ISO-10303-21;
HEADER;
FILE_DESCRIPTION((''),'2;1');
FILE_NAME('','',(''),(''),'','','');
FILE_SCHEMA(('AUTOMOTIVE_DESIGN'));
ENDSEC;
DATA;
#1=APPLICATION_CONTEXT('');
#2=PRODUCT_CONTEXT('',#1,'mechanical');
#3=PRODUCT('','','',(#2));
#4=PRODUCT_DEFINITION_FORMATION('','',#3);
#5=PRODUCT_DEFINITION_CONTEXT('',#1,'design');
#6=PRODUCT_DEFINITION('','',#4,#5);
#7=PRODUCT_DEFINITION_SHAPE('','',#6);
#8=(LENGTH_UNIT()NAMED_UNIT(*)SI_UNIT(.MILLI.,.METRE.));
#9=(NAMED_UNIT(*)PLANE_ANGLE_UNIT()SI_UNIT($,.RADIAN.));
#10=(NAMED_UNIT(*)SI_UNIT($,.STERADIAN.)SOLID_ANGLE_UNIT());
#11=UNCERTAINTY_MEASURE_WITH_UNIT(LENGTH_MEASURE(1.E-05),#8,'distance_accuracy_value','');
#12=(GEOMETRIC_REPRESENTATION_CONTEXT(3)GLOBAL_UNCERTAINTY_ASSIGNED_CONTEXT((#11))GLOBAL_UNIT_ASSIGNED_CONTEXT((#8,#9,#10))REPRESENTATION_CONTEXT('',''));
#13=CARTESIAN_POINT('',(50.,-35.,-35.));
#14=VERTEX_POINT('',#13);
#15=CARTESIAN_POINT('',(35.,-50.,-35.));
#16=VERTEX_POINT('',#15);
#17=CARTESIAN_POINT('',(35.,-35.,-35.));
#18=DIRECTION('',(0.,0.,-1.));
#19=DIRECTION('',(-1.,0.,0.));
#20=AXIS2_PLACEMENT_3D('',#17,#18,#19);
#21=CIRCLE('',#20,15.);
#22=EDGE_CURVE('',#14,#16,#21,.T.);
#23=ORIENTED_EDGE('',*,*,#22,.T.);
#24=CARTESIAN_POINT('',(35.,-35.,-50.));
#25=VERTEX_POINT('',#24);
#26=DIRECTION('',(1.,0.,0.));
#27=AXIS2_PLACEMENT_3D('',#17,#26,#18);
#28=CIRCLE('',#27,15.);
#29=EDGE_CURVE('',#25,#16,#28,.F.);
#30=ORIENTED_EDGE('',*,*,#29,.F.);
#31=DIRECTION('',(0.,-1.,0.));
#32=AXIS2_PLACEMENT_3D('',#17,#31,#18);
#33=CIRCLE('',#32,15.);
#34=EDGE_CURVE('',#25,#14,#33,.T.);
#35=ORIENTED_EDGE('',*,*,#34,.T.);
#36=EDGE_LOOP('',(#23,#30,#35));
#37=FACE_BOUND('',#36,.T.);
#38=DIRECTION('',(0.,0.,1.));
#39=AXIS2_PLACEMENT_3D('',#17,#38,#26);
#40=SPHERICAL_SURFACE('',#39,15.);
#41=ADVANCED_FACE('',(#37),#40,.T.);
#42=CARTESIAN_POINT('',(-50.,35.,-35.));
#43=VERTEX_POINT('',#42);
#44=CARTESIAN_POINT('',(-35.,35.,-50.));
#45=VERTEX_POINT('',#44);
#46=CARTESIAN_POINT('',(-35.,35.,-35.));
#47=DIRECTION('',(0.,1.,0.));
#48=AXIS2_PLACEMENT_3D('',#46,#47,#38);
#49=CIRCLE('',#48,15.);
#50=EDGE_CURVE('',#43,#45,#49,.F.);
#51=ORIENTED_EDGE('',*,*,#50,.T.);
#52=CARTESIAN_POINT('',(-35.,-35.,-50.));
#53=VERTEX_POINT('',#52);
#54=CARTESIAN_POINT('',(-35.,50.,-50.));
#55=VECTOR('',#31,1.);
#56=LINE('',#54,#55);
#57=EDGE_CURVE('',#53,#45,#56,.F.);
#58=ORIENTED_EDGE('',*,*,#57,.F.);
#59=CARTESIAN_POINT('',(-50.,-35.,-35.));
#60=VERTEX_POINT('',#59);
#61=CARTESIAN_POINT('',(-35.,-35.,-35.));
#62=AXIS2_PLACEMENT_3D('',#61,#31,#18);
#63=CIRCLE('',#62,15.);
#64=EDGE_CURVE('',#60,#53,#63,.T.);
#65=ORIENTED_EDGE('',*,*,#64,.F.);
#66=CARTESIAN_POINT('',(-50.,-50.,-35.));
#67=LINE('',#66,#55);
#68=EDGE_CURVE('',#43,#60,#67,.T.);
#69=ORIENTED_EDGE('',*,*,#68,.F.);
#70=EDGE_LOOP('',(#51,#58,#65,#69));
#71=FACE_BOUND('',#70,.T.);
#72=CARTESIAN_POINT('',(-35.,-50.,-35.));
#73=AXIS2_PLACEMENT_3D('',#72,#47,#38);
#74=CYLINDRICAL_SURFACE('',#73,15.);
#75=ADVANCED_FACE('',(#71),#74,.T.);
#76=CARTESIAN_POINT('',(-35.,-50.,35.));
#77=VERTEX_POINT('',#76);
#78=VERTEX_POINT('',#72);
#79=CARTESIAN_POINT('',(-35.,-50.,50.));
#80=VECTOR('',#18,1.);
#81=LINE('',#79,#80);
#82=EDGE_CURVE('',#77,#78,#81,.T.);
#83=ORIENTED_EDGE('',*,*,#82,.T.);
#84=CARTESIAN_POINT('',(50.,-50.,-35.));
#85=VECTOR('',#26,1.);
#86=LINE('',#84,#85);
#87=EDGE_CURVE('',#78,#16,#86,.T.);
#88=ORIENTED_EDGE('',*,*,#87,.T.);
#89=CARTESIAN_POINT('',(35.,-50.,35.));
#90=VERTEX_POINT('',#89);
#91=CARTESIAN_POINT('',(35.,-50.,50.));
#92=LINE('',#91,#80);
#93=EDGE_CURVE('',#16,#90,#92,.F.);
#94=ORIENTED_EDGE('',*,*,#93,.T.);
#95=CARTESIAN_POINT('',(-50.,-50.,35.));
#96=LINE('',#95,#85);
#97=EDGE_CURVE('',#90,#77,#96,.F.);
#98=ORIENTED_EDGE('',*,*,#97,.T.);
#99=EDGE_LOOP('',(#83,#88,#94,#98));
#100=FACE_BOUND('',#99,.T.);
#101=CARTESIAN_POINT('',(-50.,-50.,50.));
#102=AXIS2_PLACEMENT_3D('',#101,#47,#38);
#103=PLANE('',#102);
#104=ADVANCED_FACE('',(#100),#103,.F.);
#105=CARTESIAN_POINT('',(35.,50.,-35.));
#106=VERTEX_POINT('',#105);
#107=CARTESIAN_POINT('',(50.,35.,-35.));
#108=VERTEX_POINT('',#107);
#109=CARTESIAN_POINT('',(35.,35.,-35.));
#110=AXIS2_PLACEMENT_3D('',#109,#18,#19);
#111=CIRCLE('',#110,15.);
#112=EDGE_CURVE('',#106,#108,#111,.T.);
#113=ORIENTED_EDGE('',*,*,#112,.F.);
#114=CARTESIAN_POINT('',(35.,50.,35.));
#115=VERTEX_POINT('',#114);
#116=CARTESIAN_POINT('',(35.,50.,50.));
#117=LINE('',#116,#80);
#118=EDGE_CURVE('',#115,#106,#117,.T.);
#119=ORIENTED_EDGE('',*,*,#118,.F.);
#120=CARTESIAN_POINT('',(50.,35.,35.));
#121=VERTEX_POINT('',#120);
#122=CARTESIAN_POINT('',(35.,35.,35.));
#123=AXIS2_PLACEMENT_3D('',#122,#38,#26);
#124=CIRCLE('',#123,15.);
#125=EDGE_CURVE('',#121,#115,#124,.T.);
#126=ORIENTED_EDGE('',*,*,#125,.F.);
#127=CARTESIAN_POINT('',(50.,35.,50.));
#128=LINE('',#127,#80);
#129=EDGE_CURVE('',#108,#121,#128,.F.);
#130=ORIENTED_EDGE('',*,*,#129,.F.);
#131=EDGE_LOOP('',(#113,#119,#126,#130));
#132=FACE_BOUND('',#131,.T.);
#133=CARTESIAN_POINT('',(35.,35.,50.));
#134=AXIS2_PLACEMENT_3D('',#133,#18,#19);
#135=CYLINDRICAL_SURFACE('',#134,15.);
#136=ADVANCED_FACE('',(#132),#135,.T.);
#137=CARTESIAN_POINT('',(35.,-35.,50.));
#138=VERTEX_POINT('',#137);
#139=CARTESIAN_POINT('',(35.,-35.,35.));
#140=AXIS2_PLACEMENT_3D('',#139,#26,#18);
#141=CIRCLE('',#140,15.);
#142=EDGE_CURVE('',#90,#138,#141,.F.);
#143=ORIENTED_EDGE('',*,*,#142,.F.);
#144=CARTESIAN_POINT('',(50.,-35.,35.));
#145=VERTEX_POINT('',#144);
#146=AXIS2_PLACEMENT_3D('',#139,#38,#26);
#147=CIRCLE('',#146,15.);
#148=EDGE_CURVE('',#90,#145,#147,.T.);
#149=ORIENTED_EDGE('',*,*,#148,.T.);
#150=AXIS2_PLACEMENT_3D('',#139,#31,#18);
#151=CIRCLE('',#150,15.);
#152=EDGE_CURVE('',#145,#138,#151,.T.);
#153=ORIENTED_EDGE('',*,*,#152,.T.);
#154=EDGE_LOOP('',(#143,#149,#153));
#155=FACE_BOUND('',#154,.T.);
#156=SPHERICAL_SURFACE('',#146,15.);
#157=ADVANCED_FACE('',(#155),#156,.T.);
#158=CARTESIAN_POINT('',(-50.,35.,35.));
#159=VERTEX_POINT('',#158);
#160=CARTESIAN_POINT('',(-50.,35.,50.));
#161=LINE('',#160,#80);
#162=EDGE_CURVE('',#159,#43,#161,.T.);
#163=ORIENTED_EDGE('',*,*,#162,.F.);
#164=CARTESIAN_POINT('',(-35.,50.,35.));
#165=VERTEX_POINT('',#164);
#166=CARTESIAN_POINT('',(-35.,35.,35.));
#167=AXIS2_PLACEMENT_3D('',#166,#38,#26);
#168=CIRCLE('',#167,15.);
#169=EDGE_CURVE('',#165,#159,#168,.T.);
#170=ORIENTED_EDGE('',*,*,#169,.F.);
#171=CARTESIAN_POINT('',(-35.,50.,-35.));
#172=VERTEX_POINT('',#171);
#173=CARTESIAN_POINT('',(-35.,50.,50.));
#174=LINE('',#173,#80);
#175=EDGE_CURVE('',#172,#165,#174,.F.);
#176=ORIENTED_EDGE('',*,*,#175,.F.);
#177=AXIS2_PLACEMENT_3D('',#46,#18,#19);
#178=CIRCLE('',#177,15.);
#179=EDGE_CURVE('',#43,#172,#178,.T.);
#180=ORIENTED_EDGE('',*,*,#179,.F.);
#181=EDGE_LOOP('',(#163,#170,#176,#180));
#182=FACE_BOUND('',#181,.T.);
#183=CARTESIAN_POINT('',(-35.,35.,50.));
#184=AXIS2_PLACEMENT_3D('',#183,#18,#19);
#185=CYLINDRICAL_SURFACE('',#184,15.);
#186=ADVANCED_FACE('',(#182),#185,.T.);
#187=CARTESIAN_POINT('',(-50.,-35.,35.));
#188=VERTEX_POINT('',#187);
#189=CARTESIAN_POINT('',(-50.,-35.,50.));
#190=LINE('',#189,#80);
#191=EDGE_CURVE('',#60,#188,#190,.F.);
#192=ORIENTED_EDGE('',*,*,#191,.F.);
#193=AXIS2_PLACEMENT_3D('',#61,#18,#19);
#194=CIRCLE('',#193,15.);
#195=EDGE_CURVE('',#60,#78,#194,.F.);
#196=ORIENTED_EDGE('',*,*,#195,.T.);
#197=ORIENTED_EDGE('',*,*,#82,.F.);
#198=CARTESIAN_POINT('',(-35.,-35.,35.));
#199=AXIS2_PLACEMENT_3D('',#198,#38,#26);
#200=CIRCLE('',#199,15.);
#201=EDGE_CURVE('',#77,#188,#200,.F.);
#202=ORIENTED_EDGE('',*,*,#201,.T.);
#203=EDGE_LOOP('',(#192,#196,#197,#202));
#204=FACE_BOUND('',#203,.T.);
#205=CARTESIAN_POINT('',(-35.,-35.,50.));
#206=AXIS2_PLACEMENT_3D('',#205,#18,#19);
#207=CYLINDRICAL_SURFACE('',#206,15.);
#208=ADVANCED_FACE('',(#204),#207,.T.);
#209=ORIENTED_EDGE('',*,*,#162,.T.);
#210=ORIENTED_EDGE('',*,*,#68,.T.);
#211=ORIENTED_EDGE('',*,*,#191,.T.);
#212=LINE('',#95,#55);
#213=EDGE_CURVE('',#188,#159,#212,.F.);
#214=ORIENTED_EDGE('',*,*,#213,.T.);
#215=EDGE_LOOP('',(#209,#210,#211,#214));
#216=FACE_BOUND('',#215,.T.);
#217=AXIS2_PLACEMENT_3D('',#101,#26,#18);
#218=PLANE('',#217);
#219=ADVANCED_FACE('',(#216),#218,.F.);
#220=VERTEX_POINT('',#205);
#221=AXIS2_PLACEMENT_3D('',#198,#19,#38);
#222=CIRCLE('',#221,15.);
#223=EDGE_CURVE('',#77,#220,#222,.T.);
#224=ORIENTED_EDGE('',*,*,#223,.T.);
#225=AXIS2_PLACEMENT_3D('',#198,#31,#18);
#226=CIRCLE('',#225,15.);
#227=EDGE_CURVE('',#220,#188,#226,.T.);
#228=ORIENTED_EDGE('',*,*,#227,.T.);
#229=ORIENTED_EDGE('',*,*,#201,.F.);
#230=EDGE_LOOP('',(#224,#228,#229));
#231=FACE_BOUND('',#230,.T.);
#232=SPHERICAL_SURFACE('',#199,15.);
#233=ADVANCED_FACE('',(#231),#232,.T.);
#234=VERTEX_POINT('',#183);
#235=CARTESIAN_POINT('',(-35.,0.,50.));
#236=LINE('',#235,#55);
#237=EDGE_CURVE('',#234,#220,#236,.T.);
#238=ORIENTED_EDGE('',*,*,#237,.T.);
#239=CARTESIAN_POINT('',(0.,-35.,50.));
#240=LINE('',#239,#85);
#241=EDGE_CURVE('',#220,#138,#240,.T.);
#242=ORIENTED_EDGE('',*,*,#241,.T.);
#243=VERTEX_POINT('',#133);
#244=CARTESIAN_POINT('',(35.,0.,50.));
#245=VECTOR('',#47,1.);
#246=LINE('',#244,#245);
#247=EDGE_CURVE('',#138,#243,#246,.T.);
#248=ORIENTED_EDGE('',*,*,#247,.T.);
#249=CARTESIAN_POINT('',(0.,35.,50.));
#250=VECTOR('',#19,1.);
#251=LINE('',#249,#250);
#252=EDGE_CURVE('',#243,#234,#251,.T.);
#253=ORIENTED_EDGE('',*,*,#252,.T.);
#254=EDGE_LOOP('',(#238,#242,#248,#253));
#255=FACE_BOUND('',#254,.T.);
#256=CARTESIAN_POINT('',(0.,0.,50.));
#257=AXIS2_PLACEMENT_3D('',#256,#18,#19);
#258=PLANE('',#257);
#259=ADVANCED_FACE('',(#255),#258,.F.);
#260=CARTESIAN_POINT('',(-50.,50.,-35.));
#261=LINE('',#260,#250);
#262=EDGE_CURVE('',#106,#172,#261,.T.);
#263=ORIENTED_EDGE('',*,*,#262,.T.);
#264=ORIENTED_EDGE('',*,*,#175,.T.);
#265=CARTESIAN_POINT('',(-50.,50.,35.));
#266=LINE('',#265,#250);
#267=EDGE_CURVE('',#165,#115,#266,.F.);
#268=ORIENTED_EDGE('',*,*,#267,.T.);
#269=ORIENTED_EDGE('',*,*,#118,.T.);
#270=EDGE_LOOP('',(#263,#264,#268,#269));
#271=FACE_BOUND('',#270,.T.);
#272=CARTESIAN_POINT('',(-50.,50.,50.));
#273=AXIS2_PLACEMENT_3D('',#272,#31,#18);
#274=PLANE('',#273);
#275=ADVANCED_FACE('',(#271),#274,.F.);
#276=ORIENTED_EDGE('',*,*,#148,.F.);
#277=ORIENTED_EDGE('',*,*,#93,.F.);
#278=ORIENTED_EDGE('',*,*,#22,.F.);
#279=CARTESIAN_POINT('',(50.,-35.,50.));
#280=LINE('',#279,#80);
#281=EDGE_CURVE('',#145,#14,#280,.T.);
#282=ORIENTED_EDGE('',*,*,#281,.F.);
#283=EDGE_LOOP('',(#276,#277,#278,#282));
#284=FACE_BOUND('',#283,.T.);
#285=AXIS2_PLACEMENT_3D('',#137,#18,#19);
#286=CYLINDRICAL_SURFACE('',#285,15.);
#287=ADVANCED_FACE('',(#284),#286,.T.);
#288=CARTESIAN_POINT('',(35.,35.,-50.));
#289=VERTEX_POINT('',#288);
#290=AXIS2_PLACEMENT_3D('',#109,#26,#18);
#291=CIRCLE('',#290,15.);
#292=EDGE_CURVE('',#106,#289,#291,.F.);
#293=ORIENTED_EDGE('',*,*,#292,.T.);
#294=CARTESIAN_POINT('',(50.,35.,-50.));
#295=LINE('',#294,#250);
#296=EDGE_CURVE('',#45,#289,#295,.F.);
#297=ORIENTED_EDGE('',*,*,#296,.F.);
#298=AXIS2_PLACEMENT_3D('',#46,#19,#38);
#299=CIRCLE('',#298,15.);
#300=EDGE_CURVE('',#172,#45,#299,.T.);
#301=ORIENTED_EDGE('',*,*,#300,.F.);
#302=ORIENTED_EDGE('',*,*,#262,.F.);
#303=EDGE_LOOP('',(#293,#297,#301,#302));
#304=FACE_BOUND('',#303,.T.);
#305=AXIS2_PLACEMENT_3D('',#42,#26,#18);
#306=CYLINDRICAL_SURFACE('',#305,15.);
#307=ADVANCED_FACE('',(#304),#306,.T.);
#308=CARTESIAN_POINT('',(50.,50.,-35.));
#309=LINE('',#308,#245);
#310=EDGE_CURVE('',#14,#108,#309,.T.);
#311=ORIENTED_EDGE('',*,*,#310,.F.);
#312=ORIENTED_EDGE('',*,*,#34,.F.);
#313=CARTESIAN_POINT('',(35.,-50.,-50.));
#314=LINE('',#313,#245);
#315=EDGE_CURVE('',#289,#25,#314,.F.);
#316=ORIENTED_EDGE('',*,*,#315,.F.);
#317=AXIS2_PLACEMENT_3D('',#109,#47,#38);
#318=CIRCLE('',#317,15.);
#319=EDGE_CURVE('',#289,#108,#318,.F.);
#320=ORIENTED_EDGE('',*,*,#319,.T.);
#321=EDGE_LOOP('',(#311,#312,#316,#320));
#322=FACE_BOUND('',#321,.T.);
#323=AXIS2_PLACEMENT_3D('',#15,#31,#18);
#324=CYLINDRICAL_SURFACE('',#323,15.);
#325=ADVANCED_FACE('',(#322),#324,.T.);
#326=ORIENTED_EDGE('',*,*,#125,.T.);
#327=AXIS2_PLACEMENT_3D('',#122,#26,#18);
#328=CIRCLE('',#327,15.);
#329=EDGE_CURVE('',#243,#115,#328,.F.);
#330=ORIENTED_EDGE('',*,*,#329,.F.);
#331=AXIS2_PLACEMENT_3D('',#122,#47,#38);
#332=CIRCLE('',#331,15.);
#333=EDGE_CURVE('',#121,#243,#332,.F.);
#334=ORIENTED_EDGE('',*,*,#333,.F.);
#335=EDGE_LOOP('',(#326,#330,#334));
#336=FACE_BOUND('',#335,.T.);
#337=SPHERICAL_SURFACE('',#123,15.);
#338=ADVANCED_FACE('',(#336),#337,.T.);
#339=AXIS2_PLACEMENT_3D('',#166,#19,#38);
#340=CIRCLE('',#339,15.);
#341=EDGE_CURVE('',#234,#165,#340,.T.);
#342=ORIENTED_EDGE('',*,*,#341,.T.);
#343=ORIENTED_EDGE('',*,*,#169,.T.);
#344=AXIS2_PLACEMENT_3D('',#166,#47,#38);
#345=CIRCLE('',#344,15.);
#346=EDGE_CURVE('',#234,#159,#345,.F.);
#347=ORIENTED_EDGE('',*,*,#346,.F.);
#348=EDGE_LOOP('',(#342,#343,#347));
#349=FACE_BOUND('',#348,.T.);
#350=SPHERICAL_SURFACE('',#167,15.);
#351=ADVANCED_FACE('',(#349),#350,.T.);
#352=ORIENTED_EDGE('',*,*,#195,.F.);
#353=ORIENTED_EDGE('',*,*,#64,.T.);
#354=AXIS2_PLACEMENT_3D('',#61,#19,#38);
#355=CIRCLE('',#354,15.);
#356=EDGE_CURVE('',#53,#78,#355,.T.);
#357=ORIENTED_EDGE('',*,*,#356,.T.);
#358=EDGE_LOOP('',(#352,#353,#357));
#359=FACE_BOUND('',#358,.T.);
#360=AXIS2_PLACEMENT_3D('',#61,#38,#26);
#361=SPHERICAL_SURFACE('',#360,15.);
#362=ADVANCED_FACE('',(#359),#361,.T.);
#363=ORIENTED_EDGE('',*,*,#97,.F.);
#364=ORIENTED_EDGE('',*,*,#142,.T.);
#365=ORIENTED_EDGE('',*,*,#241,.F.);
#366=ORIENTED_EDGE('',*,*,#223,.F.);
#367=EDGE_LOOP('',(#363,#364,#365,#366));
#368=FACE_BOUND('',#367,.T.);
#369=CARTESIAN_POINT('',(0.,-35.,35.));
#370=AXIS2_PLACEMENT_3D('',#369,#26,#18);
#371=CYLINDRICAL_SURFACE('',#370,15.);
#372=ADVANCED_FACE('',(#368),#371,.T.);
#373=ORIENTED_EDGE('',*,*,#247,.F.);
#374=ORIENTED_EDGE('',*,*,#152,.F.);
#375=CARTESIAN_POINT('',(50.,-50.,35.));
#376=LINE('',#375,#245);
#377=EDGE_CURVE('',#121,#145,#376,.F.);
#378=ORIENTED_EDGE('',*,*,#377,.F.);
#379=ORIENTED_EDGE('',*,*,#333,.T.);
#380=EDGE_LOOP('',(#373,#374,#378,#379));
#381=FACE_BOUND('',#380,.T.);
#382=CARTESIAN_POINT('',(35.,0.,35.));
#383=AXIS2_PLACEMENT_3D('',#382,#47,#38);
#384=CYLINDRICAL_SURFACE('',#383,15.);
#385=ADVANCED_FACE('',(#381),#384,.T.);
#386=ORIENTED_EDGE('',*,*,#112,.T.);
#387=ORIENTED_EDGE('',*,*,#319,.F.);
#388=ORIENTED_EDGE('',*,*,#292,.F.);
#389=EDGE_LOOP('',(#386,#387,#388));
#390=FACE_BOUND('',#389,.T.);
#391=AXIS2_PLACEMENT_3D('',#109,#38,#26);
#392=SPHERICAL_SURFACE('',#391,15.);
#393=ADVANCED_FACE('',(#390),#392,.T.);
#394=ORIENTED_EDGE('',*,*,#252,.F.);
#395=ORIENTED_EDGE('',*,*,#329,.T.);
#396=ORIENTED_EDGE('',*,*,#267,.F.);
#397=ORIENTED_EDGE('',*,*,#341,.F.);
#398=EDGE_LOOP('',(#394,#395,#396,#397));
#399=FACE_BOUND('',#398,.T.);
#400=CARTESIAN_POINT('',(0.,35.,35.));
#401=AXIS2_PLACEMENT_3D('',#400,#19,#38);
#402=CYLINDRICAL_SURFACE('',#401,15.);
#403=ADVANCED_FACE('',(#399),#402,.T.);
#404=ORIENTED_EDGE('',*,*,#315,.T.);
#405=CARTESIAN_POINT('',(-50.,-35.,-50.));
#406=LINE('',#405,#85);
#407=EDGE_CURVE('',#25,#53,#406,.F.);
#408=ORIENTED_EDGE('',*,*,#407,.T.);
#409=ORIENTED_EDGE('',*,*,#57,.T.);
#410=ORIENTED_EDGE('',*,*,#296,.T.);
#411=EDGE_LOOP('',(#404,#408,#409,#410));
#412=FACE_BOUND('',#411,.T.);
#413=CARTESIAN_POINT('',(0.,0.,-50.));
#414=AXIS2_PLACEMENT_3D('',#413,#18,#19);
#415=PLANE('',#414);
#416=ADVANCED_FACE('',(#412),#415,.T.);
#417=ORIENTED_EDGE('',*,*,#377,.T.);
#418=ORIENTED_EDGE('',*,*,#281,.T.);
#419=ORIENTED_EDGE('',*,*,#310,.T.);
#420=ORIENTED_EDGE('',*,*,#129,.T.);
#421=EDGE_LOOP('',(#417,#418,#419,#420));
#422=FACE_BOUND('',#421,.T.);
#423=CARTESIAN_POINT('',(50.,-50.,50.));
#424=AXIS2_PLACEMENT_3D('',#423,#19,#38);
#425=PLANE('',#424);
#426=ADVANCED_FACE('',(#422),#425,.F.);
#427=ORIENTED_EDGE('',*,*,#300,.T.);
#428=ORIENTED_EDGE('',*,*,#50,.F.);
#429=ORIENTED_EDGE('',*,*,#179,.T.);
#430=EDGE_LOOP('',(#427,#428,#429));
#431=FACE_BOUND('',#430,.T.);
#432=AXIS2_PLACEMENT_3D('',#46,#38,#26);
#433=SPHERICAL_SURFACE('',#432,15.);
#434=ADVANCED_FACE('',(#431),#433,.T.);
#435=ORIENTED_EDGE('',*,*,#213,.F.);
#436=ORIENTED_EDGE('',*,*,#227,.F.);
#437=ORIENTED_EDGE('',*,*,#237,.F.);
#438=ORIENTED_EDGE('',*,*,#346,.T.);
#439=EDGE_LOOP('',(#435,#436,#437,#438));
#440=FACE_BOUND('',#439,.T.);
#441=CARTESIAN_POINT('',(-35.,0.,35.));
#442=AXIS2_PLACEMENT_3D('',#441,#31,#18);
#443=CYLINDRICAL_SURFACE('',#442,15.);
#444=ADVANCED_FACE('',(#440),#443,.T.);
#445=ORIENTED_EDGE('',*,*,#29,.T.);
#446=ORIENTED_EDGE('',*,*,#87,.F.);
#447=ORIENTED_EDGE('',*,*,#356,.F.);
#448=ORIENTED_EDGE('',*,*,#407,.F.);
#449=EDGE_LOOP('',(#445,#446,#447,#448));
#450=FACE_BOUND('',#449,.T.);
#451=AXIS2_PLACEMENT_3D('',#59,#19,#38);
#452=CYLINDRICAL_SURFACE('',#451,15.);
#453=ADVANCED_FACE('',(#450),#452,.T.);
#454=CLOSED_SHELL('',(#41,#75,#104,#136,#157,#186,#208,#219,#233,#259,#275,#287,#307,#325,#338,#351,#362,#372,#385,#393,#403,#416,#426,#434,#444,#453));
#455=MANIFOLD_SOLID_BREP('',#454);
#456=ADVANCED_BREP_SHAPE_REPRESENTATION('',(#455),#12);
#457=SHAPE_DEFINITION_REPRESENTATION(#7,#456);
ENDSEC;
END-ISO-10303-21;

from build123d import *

# Parameters (mm, degrees)
SKETCH1_W           = 100
SKETCH1_H           = 100
BOSS_EXTRUDE1_DEPTH = 50
FILLET1_R           = 15


with BuildPart() as part:
    # Sketch1 → Boss-Extrude1 (new, symmetric)
    with BuildSketch(Plane.XY):
        Rectangle(SKETCH1_W, SKETCH1_H)
    extrude(amount=BOSS_EXTRUDE1_DEPTH, both=True)

    # Fillet1
    fillet1_edges = [part.edges().sort_by_distance(p)[0] for p in [
        (-50, 0, 50),
        (0, -50, 50),
        (50, 0, 50),
        (0, -50, -50),
        (-50, 0, -50),
        (0, 50, -50),
        (50, 0, -50),
        (50, -50, 0),
        (-50, -50, 0),
        (-50, 50, 0),
        (50, 50, 0),
        (0, 50, 50),
    ]]
    fillet(fillet1_edges, radius=FILLET1_R)


solid = part.part
